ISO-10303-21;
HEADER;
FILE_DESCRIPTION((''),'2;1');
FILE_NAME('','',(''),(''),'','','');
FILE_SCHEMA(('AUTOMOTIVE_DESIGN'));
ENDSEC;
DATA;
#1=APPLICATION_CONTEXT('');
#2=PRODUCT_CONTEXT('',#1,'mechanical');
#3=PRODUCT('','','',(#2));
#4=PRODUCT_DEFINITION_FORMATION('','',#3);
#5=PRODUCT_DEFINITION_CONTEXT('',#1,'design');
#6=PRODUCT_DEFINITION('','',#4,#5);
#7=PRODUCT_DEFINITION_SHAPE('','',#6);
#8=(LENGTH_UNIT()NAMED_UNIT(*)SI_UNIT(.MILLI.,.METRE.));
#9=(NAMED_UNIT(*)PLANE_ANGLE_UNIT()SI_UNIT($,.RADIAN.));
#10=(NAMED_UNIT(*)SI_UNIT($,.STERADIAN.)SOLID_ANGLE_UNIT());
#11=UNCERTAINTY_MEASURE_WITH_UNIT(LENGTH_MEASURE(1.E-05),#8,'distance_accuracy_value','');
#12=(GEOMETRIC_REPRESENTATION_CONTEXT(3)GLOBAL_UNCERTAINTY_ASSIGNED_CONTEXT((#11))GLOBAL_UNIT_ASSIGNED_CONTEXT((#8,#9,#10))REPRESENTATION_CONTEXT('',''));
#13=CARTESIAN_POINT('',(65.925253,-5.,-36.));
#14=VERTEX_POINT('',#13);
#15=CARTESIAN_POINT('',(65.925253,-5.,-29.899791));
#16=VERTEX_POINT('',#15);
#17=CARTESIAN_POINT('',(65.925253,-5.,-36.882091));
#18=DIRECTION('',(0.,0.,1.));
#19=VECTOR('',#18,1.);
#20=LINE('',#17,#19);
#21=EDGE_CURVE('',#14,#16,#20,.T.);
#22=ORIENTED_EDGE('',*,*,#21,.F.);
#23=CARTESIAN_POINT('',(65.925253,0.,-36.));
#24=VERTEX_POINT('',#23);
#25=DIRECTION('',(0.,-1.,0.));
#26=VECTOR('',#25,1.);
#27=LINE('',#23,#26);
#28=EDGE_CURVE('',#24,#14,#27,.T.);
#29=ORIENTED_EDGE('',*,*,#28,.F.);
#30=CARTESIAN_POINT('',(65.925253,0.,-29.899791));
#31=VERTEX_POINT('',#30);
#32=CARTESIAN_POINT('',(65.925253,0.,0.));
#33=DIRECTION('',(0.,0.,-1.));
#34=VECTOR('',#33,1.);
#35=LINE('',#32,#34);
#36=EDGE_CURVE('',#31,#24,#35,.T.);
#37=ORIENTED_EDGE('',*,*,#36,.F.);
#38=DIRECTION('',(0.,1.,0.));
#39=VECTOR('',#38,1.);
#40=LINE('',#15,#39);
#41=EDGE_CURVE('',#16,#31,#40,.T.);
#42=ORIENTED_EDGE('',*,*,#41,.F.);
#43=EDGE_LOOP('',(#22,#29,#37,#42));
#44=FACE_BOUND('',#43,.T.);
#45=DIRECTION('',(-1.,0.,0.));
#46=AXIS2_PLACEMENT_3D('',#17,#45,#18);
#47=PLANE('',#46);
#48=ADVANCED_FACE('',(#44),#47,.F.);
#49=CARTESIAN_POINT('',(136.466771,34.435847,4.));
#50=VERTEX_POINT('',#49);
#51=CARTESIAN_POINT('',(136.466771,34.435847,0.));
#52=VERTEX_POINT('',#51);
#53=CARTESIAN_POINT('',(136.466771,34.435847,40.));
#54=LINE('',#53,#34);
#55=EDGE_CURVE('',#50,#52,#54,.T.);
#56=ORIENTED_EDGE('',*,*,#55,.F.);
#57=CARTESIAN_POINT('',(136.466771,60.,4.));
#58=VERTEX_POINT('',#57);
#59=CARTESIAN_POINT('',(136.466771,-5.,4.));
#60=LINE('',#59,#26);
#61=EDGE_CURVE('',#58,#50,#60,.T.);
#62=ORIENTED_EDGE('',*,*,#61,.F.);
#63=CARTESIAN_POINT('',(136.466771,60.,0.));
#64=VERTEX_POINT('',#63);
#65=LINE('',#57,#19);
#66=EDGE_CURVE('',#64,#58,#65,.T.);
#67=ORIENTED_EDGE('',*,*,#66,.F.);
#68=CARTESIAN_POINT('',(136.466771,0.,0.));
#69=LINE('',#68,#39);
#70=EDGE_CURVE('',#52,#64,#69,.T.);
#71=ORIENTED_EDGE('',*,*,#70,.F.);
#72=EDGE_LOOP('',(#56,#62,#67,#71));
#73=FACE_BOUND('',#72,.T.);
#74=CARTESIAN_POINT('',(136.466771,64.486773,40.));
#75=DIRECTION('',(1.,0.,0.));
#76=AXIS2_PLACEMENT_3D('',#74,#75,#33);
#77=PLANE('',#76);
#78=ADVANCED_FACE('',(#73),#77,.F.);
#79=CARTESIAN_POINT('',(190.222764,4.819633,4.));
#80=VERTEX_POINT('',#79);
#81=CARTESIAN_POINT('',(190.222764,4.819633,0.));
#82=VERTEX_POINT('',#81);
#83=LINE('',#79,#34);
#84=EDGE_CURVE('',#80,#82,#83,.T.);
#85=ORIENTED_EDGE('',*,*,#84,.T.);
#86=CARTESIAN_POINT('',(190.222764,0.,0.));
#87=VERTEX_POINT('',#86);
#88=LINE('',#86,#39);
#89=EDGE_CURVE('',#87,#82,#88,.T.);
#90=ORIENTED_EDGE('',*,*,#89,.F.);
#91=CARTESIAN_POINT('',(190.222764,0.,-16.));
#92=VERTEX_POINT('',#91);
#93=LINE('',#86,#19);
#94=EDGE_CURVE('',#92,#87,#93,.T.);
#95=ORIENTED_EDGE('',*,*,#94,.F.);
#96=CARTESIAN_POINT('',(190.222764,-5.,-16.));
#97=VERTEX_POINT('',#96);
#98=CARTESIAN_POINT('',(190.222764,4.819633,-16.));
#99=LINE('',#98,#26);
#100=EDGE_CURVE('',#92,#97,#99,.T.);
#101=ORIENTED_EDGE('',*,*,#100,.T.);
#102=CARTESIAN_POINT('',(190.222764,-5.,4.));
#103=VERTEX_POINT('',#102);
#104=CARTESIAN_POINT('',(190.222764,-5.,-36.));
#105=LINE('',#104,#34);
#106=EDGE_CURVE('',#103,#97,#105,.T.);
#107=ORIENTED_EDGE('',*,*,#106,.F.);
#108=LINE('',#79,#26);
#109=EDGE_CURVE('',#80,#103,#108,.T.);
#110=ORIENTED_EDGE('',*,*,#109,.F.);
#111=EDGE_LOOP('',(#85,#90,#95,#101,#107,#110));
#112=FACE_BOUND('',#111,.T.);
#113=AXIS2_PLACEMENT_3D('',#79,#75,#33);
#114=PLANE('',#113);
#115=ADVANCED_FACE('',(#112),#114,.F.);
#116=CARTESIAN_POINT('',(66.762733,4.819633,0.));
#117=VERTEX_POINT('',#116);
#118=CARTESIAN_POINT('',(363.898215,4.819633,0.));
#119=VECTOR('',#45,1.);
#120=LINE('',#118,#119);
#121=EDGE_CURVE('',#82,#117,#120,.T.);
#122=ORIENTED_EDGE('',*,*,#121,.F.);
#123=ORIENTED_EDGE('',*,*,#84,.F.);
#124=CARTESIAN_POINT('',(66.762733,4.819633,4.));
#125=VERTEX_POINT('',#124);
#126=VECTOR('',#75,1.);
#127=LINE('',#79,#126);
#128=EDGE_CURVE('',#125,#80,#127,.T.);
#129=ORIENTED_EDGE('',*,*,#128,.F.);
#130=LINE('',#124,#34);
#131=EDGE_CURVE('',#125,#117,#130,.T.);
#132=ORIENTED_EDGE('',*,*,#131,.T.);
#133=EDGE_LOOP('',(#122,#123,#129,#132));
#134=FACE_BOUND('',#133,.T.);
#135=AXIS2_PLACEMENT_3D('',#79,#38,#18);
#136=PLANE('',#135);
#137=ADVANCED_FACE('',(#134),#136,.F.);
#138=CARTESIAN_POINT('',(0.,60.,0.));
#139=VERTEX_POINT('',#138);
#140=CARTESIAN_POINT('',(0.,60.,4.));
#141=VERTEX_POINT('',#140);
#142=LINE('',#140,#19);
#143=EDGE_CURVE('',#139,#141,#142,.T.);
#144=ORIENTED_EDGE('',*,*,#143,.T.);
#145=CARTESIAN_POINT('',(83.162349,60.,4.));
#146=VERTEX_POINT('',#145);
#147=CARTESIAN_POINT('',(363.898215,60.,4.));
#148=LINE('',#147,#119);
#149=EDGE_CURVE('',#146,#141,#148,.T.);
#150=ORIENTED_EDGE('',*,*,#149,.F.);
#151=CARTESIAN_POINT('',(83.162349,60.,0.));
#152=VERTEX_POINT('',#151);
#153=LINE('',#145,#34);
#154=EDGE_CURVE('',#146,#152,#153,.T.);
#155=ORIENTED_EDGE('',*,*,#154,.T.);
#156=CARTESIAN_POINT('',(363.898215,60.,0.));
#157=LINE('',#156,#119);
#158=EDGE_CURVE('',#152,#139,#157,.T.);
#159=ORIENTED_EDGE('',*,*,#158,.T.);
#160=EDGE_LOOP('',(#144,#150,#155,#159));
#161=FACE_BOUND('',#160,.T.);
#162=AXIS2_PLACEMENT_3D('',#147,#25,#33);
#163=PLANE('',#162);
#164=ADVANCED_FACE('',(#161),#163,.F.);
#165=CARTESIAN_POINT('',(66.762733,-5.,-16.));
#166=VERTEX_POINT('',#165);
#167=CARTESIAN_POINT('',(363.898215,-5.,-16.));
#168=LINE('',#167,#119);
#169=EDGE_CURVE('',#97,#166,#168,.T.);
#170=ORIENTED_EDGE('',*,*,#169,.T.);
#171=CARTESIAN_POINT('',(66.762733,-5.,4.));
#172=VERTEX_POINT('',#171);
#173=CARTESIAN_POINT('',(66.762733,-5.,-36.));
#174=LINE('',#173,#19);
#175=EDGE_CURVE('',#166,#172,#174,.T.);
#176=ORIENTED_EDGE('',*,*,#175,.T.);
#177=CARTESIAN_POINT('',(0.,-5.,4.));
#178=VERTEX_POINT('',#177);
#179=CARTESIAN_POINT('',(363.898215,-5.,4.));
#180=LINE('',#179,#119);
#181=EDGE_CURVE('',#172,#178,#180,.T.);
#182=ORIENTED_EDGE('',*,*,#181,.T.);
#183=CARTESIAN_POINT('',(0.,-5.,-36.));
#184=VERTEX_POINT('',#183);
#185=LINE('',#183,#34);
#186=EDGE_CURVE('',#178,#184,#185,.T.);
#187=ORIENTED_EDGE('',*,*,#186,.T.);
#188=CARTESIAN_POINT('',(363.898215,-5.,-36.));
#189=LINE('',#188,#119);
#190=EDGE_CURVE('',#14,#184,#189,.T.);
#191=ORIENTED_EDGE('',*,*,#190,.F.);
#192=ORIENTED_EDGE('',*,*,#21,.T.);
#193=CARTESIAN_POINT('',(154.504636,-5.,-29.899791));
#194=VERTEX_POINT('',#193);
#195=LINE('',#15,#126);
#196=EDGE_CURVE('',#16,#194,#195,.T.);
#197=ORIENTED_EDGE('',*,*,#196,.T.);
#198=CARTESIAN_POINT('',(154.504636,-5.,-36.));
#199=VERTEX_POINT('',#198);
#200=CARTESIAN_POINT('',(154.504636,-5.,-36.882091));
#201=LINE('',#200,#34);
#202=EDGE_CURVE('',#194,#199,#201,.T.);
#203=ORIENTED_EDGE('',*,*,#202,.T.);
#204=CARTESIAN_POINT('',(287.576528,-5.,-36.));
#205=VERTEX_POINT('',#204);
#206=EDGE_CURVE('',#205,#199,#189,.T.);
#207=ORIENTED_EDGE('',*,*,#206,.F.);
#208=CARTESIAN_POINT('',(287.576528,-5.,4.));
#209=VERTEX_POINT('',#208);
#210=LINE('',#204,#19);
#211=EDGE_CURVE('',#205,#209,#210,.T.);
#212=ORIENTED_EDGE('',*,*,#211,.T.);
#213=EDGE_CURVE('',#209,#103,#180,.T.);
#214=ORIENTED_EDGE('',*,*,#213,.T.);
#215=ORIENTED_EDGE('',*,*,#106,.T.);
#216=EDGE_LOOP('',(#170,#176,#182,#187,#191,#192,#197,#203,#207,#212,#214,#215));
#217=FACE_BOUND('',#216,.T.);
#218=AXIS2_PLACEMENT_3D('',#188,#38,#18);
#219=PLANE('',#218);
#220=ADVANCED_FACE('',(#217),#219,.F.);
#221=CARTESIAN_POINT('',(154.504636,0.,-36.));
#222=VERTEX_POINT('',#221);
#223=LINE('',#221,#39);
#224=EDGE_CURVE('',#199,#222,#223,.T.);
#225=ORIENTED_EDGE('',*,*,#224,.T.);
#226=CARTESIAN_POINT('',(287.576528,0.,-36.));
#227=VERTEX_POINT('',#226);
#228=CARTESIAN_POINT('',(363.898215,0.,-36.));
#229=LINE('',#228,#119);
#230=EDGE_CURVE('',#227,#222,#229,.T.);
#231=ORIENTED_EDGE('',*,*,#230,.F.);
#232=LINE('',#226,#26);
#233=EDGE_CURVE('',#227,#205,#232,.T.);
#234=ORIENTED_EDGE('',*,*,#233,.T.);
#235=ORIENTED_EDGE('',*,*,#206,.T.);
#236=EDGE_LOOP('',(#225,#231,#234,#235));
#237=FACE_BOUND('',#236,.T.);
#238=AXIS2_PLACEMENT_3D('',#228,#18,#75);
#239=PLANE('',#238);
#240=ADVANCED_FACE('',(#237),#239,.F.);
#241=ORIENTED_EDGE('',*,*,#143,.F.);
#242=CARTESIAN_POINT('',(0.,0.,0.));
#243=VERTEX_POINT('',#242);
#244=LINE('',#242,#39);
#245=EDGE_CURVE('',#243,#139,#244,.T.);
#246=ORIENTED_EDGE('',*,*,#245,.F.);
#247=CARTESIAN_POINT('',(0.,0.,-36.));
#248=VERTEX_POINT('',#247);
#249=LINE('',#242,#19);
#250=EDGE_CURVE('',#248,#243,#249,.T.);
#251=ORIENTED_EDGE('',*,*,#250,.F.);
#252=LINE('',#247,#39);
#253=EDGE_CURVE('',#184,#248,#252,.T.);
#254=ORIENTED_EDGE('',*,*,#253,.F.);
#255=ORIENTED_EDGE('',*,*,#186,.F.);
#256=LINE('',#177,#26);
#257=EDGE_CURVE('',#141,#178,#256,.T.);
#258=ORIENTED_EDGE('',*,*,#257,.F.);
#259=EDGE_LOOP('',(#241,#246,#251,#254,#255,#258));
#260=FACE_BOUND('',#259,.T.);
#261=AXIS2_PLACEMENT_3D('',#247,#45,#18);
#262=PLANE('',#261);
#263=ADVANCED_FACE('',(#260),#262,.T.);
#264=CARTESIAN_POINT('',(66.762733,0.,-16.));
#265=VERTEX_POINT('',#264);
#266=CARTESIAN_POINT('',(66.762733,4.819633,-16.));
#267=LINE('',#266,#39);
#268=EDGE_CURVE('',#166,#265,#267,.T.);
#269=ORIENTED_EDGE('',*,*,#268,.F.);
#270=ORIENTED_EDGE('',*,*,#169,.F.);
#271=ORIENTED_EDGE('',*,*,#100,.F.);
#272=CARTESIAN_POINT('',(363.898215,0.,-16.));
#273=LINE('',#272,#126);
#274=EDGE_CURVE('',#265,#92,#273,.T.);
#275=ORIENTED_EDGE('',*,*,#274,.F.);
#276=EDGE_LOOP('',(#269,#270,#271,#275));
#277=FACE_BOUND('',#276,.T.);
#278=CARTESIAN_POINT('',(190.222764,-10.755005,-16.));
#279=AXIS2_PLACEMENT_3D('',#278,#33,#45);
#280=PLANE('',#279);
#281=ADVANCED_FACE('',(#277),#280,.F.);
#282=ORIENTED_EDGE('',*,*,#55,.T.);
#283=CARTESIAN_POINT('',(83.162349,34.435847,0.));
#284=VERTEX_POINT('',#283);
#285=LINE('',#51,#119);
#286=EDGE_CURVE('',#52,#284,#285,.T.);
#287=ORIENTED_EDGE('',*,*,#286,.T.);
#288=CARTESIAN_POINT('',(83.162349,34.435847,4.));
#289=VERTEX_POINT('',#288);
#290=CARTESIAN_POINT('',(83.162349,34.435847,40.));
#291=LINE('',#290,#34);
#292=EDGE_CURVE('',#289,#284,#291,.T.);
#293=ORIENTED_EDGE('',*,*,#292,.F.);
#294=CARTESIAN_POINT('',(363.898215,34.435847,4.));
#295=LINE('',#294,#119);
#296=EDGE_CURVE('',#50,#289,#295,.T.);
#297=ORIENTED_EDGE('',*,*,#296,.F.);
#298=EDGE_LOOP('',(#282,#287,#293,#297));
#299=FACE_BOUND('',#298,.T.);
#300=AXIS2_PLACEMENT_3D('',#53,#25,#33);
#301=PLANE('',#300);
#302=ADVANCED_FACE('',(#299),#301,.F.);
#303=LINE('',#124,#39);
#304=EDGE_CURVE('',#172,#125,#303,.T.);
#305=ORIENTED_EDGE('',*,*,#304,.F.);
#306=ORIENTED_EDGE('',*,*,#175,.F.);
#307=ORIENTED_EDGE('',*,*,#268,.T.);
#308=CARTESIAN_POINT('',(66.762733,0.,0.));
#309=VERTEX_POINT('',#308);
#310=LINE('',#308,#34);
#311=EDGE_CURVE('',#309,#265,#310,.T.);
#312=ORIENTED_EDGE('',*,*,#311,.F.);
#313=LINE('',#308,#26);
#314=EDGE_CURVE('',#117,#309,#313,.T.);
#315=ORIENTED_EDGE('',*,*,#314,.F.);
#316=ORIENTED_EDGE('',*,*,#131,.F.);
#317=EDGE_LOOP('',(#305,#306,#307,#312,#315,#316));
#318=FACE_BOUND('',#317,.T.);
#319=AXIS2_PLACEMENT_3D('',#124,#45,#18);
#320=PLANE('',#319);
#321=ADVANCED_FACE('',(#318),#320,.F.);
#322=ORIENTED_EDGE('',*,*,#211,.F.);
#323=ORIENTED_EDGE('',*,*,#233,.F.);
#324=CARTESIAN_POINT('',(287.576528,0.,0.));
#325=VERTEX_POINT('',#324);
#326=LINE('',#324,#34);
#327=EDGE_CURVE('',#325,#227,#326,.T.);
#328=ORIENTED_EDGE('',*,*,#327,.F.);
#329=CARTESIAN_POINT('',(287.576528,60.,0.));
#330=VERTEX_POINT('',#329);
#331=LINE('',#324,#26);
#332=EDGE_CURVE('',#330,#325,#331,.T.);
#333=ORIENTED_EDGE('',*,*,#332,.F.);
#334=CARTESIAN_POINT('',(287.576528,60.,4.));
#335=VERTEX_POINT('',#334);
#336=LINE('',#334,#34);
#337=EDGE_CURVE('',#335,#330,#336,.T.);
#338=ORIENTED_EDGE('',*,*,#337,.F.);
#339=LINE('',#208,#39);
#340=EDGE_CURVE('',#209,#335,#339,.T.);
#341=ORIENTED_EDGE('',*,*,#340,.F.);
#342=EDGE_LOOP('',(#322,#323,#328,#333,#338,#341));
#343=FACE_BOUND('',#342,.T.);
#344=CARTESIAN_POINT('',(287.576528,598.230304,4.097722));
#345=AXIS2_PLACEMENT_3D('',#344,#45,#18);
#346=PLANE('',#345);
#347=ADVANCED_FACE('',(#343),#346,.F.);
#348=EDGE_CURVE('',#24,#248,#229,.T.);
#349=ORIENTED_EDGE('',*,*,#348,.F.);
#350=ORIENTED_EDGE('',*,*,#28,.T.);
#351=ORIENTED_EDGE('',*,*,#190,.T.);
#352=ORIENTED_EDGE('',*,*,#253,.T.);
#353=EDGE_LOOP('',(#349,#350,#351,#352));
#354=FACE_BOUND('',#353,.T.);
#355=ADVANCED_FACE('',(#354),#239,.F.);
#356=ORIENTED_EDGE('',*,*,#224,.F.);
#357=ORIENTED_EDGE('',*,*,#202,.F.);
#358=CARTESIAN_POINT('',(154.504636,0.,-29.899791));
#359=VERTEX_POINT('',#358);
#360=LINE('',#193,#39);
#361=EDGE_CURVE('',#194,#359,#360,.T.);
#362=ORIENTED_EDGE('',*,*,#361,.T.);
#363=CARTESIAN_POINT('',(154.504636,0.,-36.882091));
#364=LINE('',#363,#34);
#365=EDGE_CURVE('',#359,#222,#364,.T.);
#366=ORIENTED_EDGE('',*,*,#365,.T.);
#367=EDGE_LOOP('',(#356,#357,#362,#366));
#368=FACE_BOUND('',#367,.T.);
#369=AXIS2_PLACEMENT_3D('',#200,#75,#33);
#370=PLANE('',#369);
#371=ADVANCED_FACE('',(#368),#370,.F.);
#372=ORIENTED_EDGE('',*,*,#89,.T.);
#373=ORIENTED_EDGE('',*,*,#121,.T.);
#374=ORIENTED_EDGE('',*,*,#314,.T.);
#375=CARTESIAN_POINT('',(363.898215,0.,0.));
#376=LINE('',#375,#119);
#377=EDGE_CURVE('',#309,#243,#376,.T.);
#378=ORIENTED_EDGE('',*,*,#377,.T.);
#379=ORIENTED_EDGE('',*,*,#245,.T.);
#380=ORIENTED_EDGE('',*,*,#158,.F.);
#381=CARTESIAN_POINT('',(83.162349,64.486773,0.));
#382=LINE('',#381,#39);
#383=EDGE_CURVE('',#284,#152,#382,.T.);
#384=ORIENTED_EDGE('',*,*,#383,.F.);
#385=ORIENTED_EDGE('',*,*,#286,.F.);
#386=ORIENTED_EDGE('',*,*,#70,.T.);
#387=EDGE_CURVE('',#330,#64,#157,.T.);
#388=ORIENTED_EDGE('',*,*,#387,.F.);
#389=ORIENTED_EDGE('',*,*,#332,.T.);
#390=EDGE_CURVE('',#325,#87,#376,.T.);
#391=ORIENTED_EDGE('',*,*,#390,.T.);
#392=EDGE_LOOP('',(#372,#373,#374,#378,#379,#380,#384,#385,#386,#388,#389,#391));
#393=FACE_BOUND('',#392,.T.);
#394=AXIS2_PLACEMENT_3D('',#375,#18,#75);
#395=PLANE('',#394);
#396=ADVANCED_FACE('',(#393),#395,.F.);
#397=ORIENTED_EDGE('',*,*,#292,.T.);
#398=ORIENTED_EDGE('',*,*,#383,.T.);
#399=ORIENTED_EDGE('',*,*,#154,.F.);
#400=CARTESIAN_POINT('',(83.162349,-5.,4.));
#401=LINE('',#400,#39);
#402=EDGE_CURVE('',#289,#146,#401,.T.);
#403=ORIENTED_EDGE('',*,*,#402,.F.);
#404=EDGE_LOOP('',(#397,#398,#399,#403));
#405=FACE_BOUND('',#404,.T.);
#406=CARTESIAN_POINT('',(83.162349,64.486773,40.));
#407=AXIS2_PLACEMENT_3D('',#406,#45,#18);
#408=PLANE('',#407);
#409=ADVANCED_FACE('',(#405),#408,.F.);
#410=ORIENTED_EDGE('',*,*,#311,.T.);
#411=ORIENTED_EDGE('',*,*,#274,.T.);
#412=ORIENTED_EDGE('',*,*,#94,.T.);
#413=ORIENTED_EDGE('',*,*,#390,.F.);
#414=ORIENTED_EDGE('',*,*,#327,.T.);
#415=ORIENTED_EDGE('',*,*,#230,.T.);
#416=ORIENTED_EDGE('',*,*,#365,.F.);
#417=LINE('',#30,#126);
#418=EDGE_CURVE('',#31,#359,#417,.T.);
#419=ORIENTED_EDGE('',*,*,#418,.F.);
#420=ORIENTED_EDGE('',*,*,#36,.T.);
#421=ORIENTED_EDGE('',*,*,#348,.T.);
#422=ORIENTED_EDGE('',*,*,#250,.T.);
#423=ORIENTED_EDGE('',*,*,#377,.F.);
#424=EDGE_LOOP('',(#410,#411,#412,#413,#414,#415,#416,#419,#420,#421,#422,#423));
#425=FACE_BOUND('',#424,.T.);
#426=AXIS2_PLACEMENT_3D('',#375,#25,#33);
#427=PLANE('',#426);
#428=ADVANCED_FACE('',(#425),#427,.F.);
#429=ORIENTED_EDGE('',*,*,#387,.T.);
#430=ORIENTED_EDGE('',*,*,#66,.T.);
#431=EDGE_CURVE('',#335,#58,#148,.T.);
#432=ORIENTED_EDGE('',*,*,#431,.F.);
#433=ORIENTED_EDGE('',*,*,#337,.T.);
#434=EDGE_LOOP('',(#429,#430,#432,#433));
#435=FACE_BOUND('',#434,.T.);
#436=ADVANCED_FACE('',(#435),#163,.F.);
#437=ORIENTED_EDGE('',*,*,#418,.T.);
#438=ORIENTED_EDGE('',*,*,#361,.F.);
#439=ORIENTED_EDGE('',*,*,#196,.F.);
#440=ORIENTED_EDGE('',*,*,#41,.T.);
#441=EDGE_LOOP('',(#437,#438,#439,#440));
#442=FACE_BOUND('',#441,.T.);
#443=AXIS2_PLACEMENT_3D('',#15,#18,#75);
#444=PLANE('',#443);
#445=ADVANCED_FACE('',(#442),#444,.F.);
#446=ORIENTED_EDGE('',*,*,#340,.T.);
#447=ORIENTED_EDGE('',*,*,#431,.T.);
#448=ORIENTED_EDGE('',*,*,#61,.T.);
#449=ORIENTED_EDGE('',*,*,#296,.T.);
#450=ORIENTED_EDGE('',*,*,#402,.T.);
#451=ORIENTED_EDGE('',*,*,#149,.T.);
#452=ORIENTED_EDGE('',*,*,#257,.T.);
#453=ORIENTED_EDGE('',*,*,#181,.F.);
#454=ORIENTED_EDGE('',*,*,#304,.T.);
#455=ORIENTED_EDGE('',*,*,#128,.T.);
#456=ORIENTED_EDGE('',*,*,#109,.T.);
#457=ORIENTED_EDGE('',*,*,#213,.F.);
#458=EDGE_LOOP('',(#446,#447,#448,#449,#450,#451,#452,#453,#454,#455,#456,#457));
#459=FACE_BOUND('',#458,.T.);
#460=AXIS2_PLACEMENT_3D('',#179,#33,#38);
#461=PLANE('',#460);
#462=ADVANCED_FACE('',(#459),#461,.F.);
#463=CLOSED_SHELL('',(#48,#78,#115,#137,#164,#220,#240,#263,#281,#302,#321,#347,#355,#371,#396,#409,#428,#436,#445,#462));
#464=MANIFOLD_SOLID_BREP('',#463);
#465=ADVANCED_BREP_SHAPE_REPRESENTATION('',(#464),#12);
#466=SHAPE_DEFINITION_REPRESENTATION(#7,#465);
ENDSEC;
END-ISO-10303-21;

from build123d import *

# Parameters (mm, degrees)
EXTRUDE_1_DEPTH     = 287.576527547
CUT_EXTRUDE_START   = -20
SKETCH_2_W          = 123.460031058
SKETCH_2_H          = 15.574638679
CUT_EXTRUDE_1_DEPTH = 277.47977873
SKETCH_3_W          = 53.30442173
SKETCH_3_H          = 30.05092592
CUT_EXTRUDE_2_DEPTH = 40
SKETCH_4_W          = 88.57938219
SKETCH_4_H          = 6.982300606
CUT_EXTRUDE_3_DEPTH = 296.966652169


with BuildPart() as part:
    # Эскиз1 → Вытянуть1 (new body)
    with BuildSketch(Plane(origin=(0, 0, 0), x_dir=(0, 0, -1), z_dir=(1, 0, 0))):
        Polygon((0, 0), (0, 60), (-4, 60), (-4, -5), (36, -5), (36, 0), align=None)
    extrude(amount=EXTRUDE_1_DEPTH)

    # Эскиз2 → Вырез-Вытянуть1 (cut, through all)
    with BuildSketch(Plane(origin=(0, 0, -36), x_dir=(-1, 0, 0), z_dir=(0, 0, -1)).offset(CUT_EXTRUDE_START)):
        with Locations((-128.492748506, -2.9676861)):
            Rectangle(SKETCH_2_W, SKETCH_2_H)
    extrude(amount=-CUT_EXTRUDE_1_DEPTH, mode=Mode.SUBTRACT)

    # Эскиз3 → Вырез-Вытянуть2 (cut)
    with BuildSketch(Plane(origin=(0, 0, 0), x_dir=(-1, 0, 0), z_dir=(0, 0, -1))):
        with Locations((-109.814559779, 49.461309937)):
            Rectangle(SKETCH_3_W, SKETCH_3_H)
    extrude(amount=-CUT_EXTRUDE_2_DEPTH, mode=Mode.SUBTRACT)

    # Эскиз4 → Вырез-Вытянуть3 (cut, through all)
    with BuildSketch(Plane(origin=(0, 0, 0), x_dir=(1, 0, 0), z_dir=(0, 1, 0))):
        with Locations((110.214944544, 33.390941069)):
            Rectangle(SKETCH_4_W, SKETCH_4_H)
    extrude(amount=-CUT_EXTRUDE_3_DEPTH, mode=Mode.SUBTRACT)


solid = part.part
